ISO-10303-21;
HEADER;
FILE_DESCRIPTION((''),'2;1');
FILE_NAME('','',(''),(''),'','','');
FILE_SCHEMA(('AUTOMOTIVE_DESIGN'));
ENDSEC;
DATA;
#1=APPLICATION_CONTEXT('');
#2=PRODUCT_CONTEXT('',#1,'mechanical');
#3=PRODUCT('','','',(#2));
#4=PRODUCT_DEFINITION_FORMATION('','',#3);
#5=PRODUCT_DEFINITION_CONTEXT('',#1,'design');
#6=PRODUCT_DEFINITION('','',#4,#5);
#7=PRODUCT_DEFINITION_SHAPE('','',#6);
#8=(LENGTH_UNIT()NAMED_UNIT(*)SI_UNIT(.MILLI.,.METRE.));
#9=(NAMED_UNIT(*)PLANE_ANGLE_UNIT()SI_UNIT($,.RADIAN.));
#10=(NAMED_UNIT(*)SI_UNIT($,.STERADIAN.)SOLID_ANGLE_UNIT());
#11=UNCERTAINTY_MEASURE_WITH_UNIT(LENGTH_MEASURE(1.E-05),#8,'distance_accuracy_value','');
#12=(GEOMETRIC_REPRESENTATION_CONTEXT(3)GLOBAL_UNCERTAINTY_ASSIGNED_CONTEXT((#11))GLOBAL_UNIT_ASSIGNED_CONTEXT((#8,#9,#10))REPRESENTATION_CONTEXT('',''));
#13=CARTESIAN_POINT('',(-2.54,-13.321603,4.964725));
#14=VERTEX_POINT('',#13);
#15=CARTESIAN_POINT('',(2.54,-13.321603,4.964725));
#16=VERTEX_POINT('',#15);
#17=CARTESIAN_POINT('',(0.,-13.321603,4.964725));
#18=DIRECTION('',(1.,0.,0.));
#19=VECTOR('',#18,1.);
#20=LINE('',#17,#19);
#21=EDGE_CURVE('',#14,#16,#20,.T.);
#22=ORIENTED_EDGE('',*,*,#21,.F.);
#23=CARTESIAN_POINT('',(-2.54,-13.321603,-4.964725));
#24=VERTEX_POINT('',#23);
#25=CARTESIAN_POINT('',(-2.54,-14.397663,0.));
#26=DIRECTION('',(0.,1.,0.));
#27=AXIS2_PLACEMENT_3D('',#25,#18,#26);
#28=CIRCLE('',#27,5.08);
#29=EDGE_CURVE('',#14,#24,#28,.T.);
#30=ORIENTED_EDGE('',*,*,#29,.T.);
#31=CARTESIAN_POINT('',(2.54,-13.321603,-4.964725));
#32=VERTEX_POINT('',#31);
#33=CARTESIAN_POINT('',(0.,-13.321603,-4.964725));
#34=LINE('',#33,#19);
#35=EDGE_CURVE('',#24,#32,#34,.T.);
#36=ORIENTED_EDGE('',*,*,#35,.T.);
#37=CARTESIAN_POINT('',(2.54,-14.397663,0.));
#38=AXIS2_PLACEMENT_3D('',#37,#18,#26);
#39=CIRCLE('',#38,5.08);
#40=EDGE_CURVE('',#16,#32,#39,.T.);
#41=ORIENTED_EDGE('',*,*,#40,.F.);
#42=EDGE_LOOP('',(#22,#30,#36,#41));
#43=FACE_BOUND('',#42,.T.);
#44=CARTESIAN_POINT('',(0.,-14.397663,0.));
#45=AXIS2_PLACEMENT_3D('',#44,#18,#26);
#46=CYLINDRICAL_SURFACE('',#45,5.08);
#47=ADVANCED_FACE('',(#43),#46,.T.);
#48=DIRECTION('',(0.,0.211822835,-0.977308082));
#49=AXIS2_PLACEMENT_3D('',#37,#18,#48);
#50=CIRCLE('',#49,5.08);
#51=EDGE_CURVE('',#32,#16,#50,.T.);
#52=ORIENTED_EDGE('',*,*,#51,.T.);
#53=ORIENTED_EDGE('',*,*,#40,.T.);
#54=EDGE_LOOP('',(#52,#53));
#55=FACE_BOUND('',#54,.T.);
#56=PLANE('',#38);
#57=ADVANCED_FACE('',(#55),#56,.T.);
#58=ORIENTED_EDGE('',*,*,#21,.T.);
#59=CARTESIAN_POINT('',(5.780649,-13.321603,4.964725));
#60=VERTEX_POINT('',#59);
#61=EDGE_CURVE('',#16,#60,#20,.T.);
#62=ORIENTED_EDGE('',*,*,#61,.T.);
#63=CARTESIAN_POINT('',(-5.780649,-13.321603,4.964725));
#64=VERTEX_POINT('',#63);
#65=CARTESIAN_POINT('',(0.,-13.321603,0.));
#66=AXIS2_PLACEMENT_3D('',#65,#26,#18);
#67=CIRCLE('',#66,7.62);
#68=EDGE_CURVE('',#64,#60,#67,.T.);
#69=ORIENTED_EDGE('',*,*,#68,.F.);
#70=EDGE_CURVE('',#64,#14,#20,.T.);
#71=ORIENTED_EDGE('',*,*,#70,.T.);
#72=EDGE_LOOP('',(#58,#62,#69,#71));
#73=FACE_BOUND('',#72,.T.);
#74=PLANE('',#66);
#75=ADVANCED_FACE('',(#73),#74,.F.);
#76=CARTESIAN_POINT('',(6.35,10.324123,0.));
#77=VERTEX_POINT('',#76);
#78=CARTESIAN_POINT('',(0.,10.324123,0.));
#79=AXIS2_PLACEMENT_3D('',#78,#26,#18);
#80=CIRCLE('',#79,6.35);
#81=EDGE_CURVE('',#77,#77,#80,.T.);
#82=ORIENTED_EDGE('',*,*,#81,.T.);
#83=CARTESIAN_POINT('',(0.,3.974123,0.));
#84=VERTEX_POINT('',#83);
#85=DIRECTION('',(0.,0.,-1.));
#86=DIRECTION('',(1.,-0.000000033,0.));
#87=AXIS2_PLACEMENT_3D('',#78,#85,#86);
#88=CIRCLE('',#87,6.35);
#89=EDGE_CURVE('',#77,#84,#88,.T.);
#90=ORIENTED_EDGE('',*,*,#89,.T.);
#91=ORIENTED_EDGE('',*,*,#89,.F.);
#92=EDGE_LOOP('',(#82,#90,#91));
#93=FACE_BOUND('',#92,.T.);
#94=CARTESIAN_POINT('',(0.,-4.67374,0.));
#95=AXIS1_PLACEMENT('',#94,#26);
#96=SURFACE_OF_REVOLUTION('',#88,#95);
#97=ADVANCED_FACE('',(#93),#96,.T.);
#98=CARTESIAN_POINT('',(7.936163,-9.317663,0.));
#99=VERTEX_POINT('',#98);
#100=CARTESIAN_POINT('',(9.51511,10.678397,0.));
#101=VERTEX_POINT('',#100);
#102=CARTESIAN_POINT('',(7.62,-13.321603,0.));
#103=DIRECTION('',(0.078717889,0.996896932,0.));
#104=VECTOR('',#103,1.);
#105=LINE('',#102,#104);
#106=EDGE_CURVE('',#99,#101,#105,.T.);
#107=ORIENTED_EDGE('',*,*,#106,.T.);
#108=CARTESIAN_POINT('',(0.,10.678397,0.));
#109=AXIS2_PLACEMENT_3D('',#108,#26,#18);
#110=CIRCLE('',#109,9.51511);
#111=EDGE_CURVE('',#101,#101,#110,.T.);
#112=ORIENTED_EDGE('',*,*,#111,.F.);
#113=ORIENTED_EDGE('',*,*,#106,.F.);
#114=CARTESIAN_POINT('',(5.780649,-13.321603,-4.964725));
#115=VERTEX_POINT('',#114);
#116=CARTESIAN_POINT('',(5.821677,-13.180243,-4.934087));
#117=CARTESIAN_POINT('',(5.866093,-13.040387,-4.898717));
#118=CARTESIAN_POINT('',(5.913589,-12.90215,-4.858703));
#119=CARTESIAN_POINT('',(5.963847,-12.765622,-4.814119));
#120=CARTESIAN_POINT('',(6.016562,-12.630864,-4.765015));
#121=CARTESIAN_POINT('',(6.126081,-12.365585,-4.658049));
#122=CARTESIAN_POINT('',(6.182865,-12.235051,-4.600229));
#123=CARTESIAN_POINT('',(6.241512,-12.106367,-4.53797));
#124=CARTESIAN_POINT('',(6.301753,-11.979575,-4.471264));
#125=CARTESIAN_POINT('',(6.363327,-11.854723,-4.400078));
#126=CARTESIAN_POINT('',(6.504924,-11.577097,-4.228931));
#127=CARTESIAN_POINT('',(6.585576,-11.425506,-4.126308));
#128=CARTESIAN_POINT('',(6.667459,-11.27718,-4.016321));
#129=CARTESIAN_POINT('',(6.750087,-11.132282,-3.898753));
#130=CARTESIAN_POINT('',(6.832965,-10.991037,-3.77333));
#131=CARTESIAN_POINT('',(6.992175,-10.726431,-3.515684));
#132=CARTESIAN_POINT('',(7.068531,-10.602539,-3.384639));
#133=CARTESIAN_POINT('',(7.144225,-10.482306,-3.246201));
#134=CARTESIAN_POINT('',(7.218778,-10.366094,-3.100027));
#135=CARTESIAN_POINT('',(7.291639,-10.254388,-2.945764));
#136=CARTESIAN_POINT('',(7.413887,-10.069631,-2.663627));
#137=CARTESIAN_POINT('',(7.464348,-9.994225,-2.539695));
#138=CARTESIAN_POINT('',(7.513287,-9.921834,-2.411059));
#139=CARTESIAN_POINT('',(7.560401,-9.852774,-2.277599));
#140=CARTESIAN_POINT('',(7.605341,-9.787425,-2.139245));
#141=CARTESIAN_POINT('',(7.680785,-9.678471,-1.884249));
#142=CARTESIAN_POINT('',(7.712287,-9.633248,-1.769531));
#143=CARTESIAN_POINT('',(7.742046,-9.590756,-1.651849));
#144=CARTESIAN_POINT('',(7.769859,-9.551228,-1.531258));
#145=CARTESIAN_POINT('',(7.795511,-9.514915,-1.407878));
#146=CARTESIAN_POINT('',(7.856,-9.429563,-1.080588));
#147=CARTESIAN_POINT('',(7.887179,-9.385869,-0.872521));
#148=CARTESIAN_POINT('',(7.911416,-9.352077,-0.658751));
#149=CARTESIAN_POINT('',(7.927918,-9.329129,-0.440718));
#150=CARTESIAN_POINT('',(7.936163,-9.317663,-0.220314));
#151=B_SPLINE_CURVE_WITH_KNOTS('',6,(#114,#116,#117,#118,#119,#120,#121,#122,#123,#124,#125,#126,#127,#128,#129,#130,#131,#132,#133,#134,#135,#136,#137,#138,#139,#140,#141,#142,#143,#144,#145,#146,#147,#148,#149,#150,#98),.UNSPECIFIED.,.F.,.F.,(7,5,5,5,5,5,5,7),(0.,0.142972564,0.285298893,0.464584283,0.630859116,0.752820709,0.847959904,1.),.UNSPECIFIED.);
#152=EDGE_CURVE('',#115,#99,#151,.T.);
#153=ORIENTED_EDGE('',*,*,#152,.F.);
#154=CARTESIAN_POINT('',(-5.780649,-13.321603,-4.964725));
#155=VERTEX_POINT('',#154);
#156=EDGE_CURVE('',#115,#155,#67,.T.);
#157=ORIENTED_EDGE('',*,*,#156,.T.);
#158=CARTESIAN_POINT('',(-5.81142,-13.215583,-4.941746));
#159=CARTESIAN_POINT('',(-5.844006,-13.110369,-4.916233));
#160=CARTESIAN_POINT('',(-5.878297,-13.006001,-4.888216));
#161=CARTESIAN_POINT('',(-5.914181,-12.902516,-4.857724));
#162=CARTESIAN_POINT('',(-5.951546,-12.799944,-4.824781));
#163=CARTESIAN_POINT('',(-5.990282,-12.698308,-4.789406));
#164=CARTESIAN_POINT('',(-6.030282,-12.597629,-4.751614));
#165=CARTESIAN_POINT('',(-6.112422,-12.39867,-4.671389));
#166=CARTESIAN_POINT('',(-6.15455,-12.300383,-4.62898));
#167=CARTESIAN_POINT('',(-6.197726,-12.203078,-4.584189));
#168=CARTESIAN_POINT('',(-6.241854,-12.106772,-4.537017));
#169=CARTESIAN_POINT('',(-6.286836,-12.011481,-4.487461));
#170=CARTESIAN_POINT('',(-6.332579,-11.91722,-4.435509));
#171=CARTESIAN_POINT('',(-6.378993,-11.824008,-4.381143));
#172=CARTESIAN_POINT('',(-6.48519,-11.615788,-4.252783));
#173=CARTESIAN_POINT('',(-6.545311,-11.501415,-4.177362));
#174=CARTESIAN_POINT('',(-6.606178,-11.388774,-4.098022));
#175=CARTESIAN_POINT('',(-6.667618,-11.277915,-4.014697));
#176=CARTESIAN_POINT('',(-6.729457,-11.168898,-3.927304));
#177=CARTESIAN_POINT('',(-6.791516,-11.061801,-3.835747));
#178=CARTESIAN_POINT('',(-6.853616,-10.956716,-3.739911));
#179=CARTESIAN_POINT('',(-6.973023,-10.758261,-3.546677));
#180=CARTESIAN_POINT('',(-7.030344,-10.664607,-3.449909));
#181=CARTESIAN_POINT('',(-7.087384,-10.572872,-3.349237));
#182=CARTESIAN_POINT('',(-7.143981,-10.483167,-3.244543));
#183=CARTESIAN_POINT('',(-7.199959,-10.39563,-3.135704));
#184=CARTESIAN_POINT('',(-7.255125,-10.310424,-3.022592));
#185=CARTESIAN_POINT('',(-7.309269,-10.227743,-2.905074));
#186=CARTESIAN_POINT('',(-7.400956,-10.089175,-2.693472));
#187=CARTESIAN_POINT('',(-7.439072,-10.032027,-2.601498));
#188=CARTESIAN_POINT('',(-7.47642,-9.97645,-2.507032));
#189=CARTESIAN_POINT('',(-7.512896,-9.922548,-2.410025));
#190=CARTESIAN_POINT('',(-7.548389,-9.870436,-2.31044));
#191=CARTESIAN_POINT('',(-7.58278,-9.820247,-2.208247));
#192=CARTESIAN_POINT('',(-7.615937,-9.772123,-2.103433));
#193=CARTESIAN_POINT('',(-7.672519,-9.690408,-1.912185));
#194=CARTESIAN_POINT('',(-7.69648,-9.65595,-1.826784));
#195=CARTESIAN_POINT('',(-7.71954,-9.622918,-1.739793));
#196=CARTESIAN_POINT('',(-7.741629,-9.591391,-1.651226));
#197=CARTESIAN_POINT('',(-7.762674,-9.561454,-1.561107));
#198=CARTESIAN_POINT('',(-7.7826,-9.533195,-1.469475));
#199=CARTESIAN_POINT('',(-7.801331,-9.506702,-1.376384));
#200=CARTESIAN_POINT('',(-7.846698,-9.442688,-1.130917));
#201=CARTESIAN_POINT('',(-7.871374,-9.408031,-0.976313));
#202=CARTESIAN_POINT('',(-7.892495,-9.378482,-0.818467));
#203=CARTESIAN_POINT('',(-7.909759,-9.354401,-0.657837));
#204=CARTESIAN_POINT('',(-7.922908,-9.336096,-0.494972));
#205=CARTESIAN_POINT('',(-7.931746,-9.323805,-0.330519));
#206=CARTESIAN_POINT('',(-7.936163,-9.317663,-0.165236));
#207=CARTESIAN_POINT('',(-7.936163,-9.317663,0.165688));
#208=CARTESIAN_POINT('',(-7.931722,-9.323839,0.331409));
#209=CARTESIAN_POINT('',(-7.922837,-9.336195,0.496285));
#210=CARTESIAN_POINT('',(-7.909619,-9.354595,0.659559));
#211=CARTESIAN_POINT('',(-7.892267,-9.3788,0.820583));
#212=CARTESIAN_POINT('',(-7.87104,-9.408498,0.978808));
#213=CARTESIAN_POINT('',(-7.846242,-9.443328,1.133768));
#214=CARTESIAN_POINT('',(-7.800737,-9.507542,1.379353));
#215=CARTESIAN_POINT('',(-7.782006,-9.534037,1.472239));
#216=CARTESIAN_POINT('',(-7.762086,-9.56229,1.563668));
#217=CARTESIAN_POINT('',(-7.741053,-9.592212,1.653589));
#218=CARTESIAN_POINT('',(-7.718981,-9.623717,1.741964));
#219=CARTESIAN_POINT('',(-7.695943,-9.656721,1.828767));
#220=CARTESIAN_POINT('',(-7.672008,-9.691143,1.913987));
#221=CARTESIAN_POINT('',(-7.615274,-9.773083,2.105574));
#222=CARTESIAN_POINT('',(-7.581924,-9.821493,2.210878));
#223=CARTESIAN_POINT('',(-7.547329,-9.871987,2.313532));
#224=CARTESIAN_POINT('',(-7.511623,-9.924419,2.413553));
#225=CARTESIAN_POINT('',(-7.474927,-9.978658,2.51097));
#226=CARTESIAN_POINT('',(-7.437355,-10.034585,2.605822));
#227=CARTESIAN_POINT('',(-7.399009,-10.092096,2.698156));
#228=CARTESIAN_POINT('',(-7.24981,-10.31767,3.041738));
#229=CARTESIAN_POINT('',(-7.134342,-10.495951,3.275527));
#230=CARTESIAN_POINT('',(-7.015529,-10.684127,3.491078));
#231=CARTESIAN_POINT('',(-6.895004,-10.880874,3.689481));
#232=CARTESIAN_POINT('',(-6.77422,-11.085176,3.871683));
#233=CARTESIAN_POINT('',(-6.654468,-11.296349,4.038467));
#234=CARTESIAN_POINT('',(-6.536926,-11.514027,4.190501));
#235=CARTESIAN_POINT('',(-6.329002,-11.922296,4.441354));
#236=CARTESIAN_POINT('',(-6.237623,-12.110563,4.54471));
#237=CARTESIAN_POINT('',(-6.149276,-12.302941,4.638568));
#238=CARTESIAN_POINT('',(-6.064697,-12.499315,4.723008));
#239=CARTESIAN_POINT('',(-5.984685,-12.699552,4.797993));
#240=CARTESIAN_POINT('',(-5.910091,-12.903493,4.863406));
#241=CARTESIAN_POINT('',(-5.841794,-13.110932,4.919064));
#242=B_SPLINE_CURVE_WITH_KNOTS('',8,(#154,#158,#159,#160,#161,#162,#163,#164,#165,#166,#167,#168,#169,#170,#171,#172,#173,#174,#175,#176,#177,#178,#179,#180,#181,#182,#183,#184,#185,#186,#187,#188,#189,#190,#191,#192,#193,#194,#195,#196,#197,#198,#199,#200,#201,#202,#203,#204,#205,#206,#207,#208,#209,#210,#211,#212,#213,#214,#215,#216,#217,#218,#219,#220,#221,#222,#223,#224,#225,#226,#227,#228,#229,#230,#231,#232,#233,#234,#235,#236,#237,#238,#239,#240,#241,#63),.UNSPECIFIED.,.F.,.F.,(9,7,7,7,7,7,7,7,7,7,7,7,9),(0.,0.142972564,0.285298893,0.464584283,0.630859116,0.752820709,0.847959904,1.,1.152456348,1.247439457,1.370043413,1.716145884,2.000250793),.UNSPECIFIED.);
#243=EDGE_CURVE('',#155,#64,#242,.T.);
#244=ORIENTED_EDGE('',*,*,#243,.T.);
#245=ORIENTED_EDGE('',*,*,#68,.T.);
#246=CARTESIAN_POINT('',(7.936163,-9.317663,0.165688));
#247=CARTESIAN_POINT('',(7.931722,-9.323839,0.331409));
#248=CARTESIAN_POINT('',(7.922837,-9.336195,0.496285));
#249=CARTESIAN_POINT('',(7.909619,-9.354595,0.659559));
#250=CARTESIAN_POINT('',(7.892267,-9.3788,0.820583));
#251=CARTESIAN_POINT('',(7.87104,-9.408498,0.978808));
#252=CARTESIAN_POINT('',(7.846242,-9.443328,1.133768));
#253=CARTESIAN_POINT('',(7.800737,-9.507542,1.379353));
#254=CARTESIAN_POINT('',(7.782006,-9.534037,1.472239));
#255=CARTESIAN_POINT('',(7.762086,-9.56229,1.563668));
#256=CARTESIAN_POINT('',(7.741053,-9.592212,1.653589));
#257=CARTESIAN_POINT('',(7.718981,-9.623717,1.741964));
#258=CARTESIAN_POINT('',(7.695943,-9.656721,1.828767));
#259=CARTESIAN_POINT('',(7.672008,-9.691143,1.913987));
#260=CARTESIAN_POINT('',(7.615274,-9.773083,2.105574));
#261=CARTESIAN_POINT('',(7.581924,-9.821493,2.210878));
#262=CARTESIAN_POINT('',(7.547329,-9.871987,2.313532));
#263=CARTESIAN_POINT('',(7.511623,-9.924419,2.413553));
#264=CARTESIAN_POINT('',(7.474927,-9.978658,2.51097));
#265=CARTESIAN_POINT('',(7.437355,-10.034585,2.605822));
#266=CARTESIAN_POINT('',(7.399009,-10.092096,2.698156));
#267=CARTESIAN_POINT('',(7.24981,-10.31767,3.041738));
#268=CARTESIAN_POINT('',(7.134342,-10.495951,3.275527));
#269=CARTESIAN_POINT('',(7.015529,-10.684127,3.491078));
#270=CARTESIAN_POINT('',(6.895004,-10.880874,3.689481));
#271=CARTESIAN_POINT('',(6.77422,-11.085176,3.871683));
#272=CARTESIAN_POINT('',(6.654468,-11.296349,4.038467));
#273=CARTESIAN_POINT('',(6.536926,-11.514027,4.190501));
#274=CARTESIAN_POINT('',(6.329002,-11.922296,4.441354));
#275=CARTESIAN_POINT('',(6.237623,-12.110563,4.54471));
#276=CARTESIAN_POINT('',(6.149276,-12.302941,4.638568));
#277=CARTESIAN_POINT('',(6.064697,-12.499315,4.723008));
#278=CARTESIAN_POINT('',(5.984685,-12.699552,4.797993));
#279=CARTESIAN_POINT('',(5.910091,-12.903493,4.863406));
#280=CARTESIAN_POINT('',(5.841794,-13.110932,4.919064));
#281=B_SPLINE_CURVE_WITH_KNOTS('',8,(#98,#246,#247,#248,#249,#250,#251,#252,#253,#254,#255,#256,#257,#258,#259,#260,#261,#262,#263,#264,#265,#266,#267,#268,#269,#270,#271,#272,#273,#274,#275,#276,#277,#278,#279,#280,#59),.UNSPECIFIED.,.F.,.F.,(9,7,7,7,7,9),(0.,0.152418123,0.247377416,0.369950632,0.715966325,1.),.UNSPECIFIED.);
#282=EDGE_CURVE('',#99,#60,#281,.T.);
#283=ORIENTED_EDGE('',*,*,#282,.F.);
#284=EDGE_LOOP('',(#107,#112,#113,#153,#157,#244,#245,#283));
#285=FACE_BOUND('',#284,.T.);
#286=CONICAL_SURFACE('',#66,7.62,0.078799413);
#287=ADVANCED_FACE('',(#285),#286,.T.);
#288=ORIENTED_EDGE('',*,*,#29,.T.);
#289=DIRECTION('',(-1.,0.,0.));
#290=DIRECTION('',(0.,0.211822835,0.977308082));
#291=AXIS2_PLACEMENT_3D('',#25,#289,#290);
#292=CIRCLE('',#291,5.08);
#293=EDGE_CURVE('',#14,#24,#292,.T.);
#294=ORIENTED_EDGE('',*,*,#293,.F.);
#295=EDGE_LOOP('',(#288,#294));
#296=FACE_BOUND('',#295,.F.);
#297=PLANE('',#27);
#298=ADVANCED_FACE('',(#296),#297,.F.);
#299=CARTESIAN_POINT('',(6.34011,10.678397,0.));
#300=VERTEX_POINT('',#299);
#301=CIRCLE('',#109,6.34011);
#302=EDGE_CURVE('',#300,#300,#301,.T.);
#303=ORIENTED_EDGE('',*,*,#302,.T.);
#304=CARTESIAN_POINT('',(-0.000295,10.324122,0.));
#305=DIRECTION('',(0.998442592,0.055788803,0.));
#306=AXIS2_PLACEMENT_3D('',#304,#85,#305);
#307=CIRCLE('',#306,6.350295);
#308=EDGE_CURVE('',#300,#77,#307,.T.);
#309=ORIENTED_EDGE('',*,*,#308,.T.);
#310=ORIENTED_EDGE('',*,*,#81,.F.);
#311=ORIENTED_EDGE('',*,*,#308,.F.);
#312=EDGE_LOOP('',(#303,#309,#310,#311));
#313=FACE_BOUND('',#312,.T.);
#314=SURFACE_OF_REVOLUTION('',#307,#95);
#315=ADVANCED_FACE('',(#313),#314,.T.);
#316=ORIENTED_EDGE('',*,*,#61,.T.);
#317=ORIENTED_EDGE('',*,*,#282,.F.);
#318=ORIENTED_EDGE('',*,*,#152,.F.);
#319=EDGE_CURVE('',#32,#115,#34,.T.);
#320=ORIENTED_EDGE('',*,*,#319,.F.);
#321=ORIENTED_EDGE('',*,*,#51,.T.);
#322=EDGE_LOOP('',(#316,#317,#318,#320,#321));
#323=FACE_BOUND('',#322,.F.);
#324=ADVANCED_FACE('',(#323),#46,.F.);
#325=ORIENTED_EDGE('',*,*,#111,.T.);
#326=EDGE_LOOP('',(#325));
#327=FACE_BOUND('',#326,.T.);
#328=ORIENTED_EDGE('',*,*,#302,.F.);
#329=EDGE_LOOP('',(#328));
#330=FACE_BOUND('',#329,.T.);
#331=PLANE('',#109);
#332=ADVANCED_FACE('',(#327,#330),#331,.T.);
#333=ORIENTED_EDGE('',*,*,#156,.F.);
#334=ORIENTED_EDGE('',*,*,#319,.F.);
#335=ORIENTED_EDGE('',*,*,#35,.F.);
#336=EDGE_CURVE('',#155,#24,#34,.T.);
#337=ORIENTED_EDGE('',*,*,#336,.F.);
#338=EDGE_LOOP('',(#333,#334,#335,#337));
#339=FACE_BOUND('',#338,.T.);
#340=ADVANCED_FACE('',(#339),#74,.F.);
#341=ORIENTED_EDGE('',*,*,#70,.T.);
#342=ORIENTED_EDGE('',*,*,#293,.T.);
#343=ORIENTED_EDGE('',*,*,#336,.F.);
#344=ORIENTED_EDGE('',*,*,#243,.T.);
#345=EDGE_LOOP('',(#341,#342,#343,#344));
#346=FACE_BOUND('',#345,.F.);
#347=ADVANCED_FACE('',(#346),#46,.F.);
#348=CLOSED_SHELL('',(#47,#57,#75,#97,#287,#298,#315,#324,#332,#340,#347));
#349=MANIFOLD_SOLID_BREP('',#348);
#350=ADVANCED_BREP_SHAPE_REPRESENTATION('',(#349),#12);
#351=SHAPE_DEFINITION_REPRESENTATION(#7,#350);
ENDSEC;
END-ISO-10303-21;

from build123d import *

# Parameters (mm, degrees)
F2_R     = 5.08
F3_DEPTH = 25.4
F4_DEPTH = 2.54


with BuildPart() as f1:
    # F0 (on Top) → F1 (revolve)
    with BuildSketch(Plane.XY):
        with BuildLine():
            ThreePointArc((6.34011, 10.678397), (6.347527, 10.501329), (6.35, 10.324123))
            ThreePointArc((6.35, 10.324123), (4.490128, 5.833995), (0, 3.974123))
            Line((0, 3.974123), (0, -13.321603))
            Line((0, -13.321603), (7.62, -13.321603))
            Line((7.62, -13.321603), (9.51511, 10.678397))
            Line((9.51511, 10.678397), (6.34011, 10.678397))
        make_face()
    revolve(axis=Axis((0, -4.67374, 0), (0, 1, 0)))

    # F2 (on Right) → F3 (cut, symmetric)
    with BuildSketch(Plane.YZ):
        with Locations((-14.397663, 0)):
            Circle(F2_R)
    extrude(amount=F3_DEPTH, both=True, mode=Mode.SUBTRACT)

    # F2 (on Right) → F4 (join, symmetric)
    with BuildSketch(Plane.YZ):
        with Locations((-14.397663, 0)):
            Circle(F2_R)
    extrude(amount=F4_DEPTH, both=True)


solid = f1.part
